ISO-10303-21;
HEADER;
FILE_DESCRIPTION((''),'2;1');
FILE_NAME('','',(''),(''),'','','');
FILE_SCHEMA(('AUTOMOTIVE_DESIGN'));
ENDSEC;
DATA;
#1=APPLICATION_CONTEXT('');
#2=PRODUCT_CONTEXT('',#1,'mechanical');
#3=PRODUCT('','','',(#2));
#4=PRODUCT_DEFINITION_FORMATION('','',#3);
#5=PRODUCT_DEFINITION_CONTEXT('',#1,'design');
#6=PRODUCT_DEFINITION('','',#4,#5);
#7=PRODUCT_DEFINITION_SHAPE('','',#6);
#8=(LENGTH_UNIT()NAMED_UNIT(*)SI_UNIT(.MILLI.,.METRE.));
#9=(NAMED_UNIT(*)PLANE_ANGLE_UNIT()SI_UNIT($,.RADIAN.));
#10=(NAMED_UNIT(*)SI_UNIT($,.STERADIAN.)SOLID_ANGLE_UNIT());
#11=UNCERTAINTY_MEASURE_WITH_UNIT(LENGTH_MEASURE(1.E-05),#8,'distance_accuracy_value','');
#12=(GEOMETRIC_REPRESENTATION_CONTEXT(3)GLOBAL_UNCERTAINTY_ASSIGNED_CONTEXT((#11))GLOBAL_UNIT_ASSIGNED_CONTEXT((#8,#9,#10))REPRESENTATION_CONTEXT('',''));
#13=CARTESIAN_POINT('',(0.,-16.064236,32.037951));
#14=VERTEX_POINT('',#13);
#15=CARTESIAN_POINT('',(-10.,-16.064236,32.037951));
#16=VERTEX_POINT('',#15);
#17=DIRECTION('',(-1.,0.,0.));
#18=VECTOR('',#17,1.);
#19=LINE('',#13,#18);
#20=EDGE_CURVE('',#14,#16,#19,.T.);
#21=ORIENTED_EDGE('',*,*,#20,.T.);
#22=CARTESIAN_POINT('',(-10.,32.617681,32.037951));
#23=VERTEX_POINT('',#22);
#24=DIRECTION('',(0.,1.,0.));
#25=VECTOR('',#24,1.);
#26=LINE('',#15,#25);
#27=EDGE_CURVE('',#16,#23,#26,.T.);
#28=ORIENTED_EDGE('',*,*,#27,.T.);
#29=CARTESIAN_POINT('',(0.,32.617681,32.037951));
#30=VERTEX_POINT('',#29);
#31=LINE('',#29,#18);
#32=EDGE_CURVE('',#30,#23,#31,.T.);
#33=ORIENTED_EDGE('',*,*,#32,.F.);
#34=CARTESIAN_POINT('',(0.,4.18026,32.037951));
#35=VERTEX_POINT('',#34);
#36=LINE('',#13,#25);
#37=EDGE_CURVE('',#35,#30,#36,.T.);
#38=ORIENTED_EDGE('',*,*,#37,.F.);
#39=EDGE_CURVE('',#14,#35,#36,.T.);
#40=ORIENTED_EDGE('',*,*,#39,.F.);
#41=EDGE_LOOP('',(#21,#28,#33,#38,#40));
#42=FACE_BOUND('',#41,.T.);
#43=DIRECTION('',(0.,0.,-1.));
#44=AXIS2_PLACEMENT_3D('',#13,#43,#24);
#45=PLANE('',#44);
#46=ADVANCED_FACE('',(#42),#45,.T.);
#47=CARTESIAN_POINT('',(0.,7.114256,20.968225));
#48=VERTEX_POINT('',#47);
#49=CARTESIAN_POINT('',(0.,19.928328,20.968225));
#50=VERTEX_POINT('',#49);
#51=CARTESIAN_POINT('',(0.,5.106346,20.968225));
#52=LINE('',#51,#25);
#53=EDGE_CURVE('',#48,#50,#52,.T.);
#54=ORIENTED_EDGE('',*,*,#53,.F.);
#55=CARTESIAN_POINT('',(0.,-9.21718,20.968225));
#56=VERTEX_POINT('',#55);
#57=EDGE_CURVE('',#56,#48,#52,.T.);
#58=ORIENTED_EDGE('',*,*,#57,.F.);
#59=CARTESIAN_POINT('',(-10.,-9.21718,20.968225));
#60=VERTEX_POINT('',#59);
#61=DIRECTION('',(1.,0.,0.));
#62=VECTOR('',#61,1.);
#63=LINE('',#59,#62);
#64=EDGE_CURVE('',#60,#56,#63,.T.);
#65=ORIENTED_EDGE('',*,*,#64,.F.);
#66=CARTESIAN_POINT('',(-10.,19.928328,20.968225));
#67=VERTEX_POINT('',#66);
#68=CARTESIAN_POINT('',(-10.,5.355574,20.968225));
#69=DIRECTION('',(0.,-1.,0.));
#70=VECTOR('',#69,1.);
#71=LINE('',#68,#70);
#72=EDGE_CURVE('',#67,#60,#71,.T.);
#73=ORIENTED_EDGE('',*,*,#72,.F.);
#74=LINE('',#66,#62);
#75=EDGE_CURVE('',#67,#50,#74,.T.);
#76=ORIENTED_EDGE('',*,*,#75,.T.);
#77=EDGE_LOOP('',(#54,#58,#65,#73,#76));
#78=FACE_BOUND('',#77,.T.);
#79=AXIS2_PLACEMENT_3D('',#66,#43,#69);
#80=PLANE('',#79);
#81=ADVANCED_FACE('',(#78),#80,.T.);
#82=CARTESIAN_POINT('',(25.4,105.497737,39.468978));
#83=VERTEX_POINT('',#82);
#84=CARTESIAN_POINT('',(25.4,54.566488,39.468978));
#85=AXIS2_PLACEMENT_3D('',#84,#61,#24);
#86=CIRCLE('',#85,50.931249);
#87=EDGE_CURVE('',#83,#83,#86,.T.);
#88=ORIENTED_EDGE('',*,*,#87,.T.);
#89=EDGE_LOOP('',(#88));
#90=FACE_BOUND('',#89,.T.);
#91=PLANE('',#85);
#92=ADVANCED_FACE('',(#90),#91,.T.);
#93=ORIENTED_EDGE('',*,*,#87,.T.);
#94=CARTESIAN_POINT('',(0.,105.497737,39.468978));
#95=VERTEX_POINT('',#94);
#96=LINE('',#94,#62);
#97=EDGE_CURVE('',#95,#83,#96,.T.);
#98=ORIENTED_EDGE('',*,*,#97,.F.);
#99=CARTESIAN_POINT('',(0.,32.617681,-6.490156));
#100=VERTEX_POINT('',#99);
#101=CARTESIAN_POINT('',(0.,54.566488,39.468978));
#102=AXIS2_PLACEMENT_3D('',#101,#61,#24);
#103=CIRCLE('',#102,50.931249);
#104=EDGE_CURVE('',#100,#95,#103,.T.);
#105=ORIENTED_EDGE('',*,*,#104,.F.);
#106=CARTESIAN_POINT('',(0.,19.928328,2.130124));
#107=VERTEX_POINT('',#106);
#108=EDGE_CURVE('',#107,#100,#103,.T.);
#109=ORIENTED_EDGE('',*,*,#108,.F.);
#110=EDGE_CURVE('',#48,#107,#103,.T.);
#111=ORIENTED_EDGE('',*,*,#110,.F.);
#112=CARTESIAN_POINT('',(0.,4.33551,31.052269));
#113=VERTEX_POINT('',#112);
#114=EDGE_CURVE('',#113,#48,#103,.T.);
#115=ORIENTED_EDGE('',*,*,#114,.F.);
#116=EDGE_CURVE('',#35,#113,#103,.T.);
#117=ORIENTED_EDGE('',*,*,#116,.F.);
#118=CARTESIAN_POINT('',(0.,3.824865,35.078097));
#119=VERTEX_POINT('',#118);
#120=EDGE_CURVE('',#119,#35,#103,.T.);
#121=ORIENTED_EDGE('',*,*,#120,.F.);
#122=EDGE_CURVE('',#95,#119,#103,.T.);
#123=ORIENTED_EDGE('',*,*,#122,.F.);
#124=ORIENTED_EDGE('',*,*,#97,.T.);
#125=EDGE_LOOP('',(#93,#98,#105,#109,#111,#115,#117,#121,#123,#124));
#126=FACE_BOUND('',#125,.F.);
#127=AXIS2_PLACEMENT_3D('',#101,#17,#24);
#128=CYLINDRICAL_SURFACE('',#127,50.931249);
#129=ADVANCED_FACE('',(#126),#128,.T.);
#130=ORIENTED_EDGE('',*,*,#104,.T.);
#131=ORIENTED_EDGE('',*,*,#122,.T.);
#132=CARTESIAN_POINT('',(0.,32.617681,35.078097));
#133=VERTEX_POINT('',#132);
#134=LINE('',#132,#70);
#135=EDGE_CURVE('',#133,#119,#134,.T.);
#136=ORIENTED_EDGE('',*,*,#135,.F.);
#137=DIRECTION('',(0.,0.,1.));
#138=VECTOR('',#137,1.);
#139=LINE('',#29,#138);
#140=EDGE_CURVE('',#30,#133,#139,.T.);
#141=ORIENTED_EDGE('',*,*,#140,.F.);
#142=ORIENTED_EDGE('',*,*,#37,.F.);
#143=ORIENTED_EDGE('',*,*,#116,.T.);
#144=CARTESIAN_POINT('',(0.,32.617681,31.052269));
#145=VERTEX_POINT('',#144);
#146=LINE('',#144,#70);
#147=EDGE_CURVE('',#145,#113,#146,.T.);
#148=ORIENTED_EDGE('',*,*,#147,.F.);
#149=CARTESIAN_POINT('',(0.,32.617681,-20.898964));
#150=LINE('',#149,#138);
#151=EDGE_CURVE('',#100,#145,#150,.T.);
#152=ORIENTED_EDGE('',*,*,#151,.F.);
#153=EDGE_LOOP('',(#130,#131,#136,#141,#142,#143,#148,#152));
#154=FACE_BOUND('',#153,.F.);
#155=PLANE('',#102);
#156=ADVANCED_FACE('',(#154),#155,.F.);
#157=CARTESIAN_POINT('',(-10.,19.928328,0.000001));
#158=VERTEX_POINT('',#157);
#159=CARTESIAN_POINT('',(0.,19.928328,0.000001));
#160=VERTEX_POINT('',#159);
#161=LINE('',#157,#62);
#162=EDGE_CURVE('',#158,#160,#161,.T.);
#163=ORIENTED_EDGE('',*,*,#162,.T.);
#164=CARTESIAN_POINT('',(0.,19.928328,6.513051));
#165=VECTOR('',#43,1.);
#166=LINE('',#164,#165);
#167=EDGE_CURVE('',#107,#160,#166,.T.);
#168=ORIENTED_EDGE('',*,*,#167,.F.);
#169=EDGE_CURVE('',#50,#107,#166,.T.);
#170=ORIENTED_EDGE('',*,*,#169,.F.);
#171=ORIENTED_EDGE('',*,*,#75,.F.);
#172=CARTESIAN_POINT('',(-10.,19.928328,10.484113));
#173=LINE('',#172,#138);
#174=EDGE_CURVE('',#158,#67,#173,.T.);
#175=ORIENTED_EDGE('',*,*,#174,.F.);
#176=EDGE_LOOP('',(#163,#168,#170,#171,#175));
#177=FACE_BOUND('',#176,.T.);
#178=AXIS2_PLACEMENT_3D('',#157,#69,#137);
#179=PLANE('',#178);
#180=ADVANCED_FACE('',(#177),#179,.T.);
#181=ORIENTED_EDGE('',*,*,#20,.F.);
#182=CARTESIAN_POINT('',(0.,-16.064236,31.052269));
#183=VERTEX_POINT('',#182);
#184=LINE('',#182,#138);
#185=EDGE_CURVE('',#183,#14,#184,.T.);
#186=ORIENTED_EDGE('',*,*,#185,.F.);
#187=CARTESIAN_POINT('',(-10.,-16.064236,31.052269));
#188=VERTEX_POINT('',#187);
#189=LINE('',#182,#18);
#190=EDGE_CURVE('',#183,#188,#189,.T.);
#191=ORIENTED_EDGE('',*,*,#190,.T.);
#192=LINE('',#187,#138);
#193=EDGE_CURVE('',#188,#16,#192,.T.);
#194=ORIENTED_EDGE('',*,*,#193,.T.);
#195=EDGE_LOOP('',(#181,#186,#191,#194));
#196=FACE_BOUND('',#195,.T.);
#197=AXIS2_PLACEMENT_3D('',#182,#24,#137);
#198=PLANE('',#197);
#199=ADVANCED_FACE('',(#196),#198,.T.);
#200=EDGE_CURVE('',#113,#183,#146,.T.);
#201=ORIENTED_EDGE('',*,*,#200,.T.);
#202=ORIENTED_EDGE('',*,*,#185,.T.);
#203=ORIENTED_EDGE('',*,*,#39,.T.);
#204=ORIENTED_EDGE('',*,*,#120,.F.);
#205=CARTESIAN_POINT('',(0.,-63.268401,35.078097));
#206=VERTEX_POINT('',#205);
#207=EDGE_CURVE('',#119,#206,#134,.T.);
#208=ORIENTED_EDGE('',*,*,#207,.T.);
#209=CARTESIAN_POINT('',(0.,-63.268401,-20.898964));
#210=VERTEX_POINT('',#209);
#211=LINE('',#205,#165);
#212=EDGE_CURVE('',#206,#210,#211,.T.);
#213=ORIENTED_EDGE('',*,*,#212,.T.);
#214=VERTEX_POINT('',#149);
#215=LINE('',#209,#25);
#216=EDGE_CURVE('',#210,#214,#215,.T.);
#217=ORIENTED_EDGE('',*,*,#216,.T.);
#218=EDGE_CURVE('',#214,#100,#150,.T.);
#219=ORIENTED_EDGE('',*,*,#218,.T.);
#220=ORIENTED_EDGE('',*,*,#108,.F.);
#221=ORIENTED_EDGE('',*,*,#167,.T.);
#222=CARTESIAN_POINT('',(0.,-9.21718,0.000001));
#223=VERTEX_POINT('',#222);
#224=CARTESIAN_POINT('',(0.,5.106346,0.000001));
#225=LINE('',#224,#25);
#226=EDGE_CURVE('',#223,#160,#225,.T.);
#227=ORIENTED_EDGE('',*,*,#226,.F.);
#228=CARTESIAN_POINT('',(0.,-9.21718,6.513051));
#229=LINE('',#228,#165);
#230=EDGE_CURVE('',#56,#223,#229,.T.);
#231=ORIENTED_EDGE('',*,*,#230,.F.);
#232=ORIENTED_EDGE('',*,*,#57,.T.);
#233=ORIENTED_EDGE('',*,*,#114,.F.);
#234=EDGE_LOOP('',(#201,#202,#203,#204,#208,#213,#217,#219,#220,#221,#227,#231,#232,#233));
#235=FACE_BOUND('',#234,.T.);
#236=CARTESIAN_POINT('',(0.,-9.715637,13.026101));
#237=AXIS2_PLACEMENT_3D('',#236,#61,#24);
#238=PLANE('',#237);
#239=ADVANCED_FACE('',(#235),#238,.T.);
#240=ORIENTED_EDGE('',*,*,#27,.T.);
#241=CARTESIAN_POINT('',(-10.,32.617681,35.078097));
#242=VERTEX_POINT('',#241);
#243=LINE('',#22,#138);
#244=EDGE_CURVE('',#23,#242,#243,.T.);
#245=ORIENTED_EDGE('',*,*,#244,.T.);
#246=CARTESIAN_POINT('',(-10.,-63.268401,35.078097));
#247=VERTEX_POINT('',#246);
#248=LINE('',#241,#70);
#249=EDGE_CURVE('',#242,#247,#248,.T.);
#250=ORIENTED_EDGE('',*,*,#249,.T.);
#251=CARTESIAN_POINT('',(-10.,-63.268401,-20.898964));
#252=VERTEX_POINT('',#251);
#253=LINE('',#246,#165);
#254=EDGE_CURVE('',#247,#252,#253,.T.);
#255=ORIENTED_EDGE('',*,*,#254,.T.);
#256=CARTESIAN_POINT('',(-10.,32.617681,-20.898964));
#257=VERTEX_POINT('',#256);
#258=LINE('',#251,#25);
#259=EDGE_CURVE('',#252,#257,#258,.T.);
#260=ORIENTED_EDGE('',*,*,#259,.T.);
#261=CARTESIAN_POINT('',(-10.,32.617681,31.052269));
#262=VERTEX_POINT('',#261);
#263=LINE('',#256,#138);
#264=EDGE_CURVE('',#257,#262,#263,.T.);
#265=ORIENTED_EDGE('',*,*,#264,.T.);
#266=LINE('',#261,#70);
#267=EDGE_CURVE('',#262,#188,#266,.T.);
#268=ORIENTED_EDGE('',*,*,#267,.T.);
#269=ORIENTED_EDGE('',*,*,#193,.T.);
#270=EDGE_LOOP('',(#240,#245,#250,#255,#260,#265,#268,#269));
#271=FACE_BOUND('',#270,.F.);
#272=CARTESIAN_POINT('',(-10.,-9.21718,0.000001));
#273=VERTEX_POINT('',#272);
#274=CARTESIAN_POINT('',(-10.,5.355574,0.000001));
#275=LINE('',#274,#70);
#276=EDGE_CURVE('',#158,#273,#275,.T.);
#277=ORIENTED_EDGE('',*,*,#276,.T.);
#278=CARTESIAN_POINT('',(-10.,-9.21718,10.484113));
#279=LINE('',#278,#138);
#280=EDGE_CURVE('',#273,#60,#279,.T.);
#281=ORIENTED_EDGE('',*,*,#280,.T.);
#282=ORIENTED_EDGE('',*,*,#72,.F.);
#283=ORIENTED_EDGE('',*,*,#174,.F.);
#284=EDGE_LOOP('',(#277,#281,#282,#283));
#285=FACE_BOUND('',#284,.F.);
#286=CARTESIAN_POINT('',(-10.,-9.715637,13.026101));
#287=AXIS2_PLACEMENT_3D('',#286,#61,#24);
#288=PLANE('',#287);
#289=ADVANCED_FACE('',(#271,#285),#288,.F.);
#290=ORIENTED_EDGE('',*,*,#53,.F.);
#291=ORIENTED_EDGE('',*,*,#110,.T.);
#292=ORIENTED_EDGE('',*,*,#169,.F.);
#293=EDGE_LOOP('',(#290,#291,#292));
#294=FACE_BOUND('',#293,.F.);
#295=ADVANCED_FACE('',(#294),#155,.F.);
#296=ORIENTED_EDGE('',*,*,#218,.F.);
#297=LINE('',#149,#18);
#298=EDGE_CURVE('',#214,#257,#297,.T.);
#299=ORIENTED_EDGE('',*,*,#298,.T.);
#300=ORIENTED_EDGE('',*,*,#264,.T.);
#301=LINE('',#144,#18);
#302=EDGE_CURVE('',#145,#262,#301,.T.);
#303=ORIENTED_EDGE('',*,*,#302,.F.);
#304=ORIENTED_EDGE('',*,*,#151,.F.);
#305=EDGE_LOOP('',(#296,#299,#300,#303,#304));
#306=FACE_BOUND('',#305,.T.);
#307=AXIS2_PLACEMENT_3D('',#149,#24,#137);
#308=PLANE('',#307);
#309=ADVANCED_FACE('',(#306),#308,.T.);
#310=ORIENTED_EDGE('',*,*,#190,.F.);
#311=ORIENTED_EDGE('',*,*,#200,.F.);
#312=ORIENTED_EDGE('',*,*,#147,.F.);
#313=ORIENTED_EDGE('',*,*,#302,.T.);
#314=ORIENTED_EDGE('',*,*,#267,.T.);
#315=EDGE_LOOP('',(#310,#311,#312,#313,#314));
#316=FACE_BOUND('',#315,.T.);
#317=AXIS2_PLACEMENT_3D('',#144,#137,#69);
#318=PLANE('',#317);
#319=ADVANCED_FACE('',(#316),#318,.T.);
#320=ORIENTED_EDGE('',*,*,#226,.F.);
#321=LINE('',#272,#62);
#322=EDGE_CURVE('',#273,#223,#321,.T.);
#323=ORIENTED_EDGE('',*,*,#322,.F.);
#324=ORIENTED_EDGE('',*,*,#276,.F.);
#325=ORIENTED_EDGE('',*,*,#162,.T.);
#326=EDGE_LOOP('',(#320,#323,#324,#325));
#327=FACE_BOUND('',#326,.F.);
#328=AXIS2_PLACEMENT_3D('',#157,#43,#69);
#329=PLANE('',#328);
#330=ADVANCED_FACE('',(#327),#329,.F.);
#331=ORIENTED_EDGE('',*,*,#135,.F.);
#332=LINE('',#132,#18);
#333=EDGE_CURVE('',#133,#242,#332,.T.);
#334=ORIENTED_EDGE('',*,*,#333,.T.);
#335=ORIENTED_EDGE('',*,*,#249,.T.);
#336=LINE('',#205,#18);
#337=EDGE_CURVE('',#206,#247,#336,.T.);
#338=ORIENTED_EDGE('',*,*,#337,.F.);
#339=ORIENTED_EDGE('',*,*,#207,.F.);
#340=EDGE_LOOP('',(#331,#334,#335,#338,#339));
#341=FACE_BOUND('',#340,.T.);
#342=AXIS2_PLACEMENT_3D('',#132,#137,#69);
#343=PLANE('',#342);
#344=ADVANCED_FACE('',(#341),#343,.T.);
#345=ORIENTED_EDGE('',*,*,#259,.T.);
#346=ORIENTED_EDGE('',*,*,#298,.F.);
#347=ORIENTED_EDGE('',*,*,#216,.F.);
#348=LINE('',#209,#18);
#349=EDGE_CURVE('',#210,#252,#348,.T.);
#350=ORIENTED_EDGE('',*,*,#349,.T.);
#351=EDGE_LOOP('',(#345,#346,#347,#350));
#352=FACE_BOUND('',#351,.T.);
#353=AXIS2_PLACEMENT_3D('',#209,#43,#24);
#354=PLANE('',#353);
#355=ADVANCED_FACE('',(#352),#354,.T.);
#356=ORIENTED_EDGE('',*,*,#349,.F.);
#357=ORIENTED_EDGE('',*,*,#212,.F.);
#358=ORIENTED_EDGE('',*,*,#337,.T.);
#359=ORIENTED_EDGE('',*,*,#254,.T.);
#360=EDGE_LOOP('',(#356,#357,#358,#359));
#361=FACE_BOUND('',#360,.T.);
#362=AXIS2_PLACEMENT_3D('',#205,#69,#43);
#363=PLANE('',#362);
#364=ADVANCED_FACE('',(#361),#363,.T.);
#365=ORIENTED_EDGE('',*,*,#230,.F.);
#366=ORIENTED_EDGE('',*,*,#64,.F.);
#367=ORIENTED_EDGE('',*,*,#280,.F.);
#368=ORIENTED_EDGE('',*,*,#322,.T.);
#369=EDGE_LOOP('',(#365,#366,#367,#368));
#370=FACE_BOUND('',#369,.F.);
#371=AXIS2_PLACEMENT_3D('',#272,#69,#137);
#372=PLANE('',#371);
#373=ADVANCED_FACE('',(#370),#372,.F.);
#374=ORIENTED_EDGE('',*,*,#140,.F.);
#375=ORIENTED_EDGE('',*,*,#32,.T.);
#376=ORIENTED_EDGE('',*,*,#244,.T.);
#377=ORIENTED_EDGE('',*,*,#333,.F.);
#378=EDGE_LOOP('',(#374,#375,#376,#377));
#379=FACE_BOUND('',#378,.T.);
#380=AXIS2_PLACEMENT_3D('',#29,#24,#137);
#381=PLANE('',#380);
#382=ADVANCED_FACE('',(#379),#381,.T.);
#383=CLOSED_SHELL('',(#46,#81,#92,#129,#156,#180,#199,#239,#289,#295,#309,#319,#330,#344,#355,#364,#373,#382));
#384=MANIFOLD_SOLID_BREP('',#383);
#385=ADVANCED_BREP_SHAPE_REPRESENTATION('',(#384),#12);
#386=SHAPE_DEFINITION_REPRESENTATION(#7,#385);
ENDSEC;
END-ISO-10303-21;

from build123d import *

# Parameters (mm, degrees)
F2_DEPTH  = 10
F3_W      = 29.145509
F3_H      = 20.968225
F4_DEPTH  = 25.4
F5_R      = 50.931249
F6_DEPTH  = 25.4
F6_FACE_R = 50.931249
F7_DEPTH  = 25


with BuildPart() as f2:
    # F0 (on Right) → F2 (new body)
    with BuildSketch(Plane.YZ):
        Polygon((-16.064236, 31.052269), (-16.064236, 32.037951), (32.617681, 32.037951), (32.617681, 35.078097), (-63.268401, 35.078097), (-63.268401, -20.898964), (32.617681, -20.898964), (32.617681, 31.052269), align=None)
    extrude(amount=-F2_DEPTH)

    # F3 (on face) → F4 (cut)
    with BuildSketch(Plane(origin=(-10, 0, 0), x_dir=(0, -1, 0), z_dir=(-1, 0, 0))):
        with Locations((-5.355574, 10.484113)):
            Rectangle(F3_W, F3_H)
    extrude(amount=-F4_DEPTH, mode=Mode.SUBTRACT)

    # F5 (on Right) → F6 (join)
    with BuildSketch(Plane.YZ):
        with Locations((54.566488, 39.468978)):
            Circle(F5_R)
    extrude(amount=F6_DEPTH)

    # F6_face (on face) → F7 (join)
    with BuildSketch(Plane(origin=(25.4, 54.566488, 39.468978), x_dir=(0, 1, 0), z_dir=(1, 0, 0))):
        Circle(F6_FACE_R)
    extrude(amount=-F7_DEPTH)


solid = f2.part
